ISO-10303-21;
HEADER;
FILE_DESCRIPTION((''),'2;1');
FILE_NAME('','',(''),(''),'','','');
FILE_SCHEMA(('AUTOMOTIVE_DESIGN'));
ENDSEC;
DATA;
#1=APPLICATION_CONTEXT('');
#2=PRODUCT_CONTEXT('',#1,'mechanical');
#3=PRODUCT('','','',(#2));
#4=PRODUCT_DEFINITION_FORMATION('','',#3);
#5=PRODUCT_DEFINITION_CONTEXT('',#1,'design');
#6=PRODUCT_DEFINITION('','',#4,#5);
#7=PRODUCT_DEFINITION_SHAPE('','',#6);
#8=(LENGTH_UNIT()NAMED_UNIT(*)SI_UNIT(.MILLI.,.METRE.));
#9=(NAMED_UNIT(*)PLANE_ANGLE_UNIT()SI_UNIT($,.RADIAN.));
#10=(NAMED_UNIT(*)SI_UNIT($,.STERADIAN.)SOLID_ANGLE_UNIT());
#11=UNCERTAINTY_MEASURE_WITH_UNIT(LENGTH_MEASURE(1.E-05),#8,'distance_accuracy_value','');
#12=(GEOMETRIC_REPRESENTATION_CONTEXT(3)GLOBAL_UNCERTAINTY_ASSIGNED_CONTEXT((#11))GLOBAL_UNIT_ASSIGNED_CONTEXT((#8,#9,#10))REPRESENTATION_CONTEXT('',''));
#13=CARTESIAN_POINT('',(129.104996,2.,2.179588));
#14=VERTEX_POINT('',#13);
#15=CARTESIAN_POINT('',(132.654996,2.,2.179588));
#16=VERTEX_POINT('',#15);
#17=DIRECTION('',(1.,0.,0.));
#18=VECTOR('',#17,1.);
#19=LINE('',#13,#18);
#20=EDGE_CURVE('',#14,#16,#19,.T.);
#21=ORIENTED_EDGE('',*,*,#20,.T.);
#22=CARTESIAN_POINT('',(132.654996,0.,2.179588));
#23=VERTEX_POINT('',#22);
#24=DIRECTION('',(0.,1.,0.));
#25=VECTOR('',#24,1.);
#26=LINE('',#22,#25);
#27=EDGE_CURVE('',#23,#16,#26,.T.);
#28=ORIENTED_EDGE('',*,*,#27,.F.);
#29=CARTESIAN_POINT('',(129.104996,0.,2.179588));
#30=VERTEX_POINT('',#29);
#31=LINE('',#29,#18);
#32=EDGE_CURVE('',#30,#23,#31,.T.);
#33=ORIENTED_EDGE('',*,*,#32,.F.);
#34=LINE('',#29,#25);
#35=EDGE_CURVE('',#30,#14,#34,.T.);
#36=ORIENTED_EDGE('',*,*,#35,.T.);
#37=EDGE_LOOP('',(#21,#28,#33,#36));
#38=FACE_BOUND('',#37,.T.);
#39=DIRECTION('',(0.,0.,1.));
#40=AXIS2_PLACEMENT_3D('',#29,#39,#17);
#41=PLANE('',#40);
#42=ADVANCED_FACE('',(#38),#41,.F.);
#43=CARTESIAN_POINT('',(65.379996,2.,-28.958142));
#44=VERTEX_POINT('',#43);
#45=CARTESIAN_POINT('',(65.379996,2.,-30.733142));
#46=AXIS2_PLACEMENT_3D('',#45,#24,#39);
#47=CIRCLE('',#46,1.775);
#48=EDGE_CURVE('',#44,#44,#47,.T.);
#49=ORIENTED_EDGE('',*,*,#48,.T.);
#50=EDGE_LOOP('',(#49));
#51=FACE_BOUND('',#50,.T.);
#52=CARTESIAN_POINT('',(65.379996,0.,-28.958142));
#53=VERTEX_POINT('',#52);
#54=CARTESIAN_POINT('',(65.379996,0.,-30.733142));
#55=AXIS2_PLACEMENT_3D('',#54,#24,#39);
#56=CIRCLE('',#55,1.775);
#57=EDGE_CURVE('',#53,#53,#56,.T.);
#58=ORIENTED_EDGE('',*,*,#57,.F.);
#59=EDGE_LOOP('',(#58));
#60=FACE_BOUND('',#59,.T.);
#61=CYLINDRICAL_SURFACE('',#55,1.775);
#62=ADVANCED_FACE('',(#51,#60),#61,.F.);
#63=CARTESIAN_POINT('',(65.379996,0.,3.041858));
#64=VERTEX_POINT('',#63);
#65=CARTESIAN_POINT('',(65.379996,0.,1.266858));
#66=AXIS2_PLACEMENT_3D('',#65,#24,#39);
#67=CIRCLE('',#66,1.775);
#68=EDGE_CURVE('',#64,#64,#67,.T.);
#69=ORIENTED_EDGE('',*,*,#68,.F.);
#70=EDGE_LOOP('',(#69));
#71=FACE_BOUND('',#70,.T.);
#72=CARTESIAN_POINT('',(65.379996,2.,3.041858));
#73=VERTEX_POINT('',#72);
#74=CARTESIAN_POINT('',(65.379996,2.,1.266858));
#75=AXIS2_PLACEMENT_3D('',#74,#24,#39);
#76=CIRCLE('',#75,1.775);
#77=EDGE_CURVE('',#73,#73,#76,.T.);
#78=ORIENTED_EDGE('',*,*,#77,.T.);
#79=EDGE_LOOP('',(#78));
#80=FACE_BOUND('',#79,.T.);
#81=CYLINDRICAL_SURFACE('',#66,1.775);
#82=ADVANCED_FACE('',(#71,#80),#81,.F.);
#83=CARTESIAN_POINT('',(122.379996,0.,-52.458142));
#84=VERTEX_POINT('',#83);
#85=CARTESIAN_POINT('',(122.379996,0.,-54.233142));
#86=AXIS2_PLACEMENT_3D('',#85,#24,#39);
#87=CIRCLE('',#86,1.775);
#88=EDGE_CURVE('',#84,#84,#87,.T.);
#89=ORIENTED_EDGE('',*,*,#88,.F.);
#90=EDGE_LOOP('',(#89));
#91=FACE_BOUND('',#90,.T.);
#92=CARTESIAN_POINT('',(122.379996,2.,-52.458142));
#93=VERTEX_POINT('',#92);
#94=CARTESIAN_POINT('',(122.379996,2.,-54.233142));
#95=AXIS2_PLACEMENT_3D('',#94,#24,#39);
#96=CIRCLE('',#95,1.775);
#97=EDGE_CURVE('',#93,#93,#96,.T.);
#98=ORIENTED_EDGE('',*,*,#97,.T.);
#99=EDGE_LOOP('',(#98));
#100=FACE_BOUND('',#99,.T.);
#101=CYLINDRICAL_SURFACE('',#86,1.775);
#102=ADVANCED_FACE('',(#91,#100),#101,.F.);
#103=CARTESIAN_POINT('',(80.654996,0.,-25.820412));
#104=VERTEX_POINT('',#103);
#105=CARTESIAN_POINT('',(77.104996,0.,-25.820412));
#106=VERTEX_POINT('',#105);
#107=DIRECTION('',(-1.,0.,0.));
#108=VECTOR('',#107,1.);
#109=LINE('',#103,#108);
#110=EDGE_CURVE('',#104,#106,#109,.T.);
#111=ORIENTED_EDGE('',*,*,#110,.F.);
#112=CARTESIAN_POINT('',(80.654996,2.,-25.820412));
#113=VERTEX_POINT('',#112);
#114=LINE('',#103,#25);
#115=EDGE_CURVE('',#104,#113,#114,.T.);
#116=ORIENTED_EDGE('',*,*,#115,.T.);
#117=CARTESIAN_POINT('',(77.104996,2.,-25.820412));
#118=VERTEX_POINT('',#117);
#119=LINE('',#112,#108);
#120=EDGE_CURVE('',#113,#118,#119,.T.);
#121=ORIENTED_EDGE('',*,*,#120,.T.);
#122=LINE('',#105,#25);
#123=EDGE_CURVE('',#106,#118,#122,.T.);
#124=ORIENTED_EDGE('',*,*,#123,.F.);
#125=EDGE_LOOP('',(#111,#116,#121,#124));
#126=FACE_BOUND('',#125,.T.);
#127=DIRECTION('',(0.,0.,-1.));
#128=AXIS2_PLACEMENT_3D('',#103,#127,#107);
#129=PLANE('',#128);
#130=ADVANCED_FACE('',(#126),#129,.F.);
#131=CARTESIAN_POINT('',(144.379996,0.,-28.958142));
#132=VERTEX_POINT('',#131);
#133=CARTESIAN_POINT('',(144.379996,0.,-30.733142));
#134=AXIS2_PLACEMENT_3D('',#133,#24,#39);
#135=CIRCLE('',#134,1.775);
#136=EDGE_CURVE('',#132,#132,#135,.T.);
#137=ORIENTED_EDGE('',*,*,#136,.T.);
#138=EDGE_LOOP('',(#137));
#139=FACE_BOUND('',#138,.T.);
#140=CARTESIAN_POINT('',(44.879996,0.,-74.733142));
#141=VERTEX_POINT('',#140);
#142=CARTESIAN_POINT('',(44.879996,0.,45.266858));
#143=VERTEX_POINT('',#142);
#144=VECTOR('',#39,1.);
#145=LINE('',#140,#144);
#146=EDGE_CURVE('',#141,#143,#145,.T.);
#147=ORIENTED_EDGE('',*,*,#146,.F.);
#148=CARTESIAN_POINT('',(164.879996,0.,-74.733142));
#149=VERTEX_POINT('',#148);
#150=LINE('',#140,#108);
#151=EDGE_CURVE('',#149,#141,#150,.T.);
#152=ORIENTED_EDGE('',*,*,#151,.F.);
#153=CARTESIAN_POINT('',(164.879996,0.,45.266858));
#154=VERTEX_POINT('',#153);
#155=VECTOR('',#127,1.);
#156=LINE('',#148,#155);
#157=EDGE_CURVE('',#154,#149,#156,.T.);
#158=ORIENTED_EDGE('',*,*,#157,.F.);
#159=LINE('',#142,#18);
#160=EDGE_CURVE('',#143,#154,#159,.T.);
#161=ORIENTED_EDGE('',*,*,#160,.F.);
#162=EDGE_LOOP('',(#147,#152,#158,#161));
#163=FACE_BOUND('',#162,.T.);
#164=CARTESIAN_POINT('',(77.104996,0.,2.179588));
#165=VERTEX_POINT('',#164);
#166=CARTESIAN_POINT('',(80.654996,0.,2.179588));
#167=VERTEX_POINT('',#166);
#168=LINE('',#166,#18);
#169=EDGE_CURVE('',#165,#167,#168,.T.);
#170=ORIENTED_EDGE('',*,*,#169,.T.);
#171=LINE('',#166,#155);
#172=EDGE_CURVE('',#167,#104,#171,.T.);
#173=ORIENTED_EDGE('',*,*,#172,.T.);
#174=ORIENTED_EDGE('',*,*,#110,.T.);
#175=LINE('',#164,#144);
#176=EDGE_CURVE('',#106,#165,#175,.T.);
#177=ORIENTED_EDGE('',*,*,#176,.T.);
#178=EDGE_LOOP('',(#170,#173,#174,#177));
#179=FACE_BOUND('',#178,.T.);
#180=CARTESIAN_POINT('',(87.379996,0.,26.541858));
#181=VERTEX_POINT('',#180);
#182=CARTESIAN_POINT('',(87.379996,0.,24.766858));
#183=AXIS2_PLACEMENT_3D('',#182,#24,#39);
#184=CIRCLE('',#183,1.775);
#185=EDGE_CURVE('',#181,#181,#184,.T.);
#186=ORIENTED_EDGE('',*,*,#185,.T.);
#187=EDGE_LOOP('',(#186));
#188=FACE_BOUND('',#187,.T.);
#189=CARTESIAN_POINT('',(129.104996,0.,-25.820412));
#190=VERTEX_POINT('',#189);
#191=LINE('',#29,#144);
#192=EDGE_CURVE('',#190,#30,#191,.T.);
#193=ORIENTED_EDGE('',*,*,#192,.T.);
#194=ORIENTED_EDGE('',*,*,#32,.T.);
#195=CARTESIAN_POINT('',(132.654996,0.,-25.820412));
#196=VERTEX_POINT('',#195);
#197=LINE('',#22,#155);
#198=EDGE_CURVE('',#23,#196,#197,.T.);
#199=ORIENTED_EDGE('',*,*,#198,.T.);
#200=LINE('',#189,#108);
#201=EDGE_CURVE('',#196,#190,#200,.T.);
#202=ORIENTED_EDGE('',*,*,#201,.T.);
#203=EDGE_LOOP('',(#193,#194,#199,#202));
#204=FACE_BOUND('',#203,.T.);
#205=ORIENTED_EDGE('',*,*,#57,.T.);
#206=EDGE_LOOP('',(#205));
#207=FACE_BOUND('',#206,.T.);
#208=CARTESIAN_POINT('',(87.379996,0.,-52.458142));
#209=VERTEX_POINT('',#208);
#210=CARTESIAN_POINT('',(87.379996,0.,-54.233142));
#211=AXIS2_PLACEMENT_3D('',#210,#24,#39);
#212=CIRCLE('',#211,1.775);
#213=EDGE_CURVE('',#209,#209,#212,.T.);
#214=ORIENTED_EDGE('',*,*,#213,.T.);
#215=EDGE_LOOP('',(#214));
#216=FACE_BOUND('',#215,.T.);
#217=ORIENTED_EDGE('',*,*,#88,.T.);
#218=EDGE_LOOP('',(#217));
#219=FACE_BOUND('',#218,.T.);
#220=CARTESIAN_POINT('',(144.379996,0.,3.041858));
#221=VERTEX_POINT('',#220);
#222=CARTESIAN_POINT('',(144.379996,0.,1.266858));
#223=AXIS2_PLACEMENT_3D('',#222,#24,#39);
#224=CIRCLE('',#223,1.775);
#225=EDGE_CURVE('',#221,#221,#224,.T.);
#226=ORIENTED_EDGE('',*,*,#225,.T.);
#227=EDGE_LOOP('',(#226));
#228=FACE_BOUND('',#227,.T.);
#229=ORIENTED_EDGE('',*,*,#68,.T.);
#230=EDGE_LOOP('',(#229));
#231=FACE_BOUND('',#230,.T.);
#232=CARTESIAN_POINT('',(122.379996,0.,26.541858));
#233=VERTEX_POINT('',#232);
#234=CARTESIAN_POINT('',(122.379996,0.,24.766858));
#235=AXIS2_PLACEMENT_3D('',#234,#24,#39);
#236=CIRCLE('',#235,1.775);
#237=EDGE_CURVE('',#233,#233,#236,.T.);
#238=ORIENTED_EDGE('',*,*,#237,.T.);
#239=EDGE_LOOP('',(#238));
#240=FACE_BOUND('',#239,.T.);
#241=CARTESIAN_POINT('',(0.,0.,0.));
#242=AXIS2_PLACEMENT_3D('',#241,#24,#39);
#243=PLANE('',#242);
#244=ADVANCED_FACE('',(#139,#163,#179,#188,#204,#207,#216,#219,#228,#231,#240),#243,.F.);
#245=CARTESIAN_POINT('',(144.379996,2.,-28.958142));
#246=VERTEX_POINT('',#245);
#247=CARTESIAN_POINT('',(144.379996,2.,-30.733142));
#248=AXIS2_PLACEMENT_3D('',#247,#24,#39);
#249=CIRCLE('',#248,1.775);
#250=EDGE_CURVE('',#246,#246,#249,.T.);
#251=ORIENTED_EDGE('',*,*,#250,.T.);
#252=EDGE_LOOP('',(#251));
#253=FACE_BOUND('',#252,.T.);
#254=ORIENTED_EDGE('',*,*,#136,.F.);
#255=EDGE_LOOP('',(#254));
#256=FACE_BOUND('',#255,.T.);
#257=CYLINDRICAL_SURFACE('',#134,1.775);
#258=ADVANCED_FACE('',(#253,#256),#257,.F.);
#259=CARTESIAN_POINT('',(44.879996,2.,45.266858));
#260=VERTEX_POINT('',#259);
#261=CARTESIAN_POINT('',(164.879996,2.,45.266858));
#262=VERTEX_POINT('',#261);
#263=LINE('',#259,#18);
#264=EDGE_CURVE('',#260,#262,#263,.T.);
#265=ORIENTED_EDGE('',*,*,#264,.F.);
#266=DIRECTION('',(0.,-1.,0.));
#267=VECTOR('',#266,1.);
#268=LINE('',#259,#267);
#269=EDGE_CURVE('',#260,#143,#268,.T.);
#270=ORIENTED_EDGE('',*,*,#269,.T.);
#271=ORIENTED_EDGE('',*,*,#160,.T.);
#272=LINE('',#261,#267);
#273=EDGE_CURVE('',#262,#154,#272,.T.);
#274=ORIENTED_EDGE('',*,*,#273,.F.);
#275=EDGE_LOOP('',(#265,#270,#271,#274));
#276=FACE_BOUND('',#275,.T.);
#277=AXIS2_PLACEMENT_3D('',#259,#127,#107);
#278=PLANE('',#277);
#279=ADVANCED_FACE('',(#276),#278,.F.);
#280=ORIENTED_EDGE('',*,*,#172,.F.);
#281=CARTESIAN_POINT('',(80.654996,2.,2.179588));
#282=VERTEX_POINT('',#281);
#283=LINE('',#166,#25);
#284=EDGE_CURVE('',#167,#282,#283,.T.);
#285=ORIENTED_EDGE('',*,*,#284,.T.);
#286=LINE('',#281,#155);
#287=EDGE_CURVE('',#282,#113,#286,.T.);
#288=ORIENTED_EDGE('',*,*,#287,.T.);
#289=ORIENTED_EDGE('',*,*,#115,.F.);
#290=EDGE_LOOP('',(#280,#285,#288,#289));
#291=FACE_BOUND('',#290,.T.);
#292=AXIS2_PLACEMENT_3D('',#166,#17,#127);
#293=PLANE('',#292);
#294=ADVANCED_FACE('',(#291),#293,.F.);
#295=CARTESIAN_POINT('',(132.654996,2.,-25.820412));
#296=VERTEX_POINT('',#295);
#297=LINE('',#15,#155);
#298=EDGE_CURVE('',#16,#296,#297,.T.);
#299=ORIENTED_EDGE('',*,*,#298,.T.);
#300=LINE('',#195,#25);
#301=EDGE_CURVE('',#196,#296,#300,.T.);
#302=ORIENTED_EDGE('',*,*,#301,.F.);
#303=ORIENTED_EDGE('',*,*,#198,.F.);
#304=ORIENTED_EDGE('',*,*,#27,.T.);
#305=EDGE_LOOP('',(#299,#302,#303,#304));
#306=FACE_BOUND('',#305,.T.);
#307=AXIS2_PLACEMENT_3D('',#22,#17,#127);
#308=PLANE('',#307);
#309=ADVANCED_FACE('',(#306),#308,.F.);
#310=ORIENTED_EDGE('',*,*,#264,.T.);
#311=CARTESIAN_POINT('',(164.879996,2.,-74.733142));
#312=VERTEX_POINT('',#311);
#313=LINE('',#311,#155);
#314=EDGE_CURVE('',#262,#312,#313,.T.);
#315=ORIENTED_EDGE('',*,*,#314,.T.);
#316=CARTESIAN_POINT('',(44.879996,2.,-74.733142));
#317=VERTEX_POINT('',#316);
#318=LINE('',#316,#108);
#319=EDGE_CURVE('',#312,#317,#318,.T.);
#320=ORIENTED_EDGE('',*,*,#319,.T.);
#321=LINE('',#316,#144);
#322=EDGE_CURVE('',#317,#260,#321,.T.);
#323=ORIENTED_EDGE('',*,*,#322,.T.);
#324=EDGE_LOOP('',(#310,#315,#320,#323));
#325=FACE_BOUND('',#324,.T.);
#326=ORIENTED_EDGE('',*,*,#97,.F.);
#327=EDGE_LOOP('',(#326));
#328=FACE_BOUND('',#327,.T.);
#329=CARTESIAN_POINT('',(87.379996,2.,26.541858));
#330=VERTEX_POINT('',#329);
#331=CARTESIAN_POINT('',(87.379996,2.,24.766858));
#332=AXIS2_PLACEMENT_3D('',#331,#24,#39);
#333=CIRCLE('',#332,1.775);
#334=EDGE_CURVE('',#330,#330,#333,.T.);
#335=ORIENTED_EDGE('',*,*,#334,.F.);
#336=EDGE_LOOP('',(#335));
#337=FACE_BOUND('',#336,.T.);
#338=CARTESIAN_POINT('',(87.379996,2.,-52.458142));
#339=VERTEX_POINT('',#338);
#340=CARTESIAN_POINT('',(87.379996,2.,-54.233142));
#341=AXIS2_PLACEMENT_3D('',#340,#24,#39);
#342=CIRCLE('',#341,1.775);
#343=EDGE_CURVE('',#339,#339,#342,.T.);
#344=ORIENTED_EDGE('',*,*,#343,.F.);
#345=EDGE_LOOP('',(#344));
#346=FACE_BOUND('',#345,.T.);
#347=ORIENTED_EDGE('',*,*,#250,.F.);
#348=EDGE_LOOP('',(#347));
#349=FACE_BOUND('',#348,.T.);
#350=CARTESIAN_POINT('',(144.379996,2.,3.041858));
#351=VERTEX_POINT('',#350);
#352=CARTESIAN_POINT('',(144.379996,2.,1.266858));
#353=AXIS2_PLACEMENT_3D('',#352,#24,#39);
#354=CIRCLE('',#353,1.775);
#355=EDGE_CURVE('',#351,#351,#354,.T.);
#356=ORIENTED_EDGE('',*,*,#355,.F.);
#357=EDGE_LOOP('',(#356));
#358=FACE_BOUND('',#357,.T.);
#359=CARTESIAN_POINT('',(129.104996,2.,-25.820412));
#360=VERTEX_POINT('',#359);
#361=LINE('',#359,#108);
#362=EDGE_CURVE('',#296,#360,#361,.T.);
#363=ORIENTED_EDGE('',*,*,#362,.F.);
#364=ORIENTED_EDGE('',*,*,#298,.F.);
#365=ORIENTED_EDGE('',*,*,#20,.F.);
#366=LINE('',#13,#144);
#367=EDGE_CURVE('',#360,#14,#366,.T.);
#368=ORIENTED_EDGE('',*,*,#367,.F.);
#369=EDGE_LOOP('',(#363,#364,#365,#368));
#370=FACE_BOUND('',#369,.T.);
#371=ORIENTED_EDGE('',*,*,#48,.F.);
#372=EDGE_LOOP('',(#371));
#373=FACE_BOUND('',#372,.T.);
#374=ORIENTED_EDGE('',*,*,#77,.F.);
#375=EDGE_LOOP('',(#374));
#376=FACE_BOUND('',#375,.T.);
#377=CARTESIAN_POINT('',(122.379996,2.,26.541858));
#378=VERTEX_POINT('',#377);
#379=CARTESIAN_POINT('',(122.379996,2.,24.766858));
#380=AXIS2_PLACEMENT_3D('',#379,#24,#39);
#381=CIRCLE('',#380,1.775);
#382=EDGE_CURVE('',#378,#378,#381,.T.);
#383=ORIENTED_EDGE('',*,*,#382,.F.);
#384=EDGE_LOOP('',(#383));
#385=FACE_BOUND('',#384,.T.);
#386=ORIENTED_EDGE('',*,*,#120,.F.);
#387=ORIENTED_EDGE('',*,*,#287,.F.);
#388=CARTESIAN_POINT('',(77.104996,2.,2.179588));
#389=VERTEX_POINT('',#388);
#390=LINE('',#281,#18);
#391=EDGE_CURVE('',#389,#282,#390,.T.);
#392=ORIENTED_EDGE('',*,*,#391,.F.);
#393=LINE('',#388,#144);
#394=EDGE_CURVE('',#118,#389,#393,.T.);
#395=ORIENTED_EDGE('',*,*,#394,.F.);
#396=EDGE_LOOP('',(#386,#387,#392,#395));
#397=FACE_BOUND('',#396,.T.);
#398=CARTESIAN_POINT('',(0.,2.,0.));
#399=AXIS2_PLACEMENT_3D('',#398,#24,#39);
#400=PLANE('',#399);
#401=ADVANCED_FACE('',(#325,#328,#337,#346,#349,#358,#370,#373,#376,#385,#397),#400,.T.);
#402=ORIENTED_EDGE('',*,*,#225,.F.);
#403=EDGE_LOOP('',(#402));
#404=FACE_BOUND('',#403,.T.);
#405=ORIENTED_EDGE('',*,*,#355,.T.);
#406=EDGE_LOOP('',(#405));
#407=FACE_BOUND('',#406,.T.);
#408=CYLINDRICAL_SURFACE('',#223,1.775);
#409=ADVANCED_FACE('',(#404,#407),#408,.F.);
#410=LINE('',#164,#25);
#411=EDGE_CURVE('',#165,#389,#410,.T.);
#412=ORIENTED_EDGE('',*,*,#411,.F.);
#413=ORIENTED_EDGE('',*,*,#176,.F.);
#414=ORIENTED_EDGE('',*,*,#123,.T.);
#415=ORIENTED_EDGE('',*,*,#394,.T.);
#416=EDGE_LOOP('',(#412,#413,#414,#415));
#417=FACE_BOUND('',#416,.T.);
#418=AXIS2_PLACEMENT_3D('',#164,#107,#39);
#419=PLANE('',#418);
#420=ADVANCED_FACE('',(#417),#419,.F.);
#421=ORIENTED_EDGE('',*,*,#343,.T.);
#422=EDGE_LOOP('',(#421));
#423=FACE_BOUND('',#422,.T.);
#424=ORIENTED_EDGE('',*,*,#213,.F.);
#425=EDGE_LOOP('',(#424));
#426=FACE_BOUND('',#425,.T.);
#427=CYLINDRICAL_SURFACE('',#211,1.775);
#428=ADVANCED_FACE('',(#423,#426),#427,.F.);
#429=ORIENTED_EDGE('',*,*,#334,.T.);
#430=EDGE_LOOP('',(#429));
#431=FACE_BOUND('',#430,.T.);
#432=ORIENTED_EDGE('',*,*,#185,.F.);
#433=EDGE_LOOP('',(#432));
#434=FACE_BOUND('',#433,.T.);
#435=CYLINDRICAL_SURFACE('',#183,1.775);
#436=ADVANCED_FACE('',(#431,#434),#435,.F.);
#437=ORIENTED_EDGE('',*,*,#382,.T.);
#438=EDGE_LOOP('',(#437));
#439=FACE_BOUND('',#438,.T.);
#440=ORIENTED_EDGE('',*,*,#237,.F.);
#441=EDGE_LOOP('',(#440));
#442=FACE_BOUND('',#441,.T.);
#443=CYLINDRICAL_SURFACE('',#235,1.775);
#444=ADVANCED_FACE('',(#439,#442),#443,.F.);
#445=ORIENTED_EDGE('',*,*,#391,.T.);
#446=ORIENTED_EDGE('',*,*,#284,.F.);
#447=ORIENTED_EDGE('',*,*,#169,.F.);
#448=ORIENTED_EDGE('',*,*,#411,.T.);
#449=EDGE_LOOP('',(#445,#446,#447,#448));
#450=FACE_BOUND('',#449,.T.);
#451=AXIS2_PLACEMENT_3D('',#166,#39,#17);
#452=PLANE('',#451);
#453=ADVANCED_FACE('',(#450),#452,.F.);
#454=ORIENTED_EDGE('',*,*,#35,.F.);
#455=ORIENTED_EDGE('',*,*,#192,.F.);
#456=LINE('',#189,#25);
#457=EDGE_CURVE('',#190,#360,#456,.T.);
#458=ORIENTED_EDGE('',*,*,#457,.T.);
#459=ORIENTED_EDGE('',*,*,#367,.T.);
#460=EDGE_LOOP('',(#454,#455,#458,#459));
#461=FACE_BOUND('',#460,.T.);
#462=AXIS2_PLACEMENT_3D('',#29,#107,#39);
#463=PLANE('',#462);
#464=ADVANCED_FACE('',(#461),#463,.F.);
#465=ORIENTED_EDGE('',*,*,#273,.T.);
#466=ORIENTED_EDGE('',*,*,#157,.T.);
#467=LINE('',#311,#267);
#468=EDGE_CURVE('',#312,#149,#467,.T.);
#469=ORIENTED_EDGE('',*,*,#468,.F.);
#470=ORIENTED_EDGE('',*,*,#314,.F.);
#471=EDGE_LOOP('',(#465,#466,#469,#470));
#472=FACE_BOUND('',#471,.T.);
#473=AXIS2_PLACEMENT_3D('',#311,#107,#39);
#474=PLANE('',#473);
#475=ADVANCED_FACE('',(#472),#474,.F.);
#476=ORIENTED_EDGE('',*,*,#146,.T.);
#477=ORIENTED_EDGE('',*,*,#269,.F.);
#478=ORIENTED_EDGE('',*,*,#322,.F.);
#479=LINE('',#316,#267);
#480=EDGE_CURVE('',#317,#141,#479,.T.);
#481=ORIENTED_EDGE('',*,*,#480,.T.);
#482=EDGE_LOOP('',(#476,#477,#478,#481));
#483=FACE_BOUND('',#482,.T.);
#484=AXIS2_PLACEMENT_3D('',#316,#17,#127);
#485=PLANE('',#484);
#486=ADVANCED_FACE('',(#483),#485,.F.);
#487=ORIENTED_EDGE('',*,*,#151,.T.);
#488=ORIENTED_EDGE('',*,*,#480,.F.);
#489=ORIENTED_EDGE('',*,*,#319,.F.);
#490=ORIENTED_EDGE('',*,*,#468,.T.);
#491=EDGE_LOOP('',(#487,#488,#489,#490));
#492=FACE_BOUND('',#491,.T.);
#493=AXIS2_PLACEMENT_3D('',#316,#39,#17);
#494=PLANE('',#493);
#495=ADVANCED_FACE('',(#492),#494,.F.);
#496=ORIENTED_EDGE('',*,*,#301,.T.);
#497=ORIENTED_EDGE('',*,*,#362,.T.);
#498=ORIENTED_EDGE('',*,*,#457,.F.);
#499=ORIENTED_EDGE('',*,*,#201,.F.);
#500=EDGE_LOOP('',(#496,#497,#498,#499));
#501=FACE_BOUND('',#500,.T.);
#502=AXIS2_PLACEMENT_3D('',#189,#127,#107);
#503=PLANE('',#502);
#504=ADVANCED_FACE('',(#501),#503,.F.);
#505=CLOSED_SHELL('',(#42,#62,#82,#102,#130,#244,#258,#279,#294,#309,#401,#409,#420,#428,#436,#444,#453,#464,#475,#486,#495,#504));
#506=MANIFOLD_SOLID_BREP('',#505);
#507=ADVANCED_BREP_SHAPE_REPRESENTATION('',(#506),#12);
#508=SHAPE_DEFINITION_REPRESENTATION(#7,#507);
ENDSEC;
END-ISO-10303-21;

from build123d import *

# Parameters (mm, degrees)
SKETCH1_W           = 120
SKETCH1_H           = 120
BOSS_EXTRUDE1_DEPTH = 2
SKETCH2_R           = 1.775
CUT_EXTRUDE1_DEPTH  = 182.037166061
SKETCH3_R           = 1.775
CUT_EXTRUDE2_DEPTH  = 182.037166061
SKETCH4_W           = 3.55
SKETCH4_H           = 28
CUT_EXTRUDE3_DEPTH  = 182.037166061


with BuildPart() as part:
    # Sketch1 → Boss-Extrude1 (new body)
    with BuildSketch(Plane(origin=(0, 0, 0), x_dir=(1, 0, 0), z_dir=(0, 1, 0))):
        with Locations((104.879995502, 14.733142437)):
            Rectangle(SKETCH1_W, SKETCH1_H)
    extrude(amount=BOSS_EXTRUDE1_DEPTH)

    # Sketch2 → Cut-Extrude1 (cut, through all)
    with BuildSketch(Plane(origin=(0, 2, 0), x_dir=(1, 0, 0), z_dir=(0, 1, 0))):
        with Locations(Location((65.379995502, 30.733142437, 0), (0, 0, 270))):
            Circle(SKETCH2_R)
        with Locations(Location((65.379995502, -1.266857563, 0), (0, 0, 270))):
            Circle(SKETCH2_R)
        with Locations(Location((144.379995502, -1.266857563, 0), (0, 0, 270))):
            Circle(SKETCH2_R)
        with Locations(Location((144.379995502, 30.733142437, 0), (0, 0, 270))):
            Circle(SKETCH2_R)
    extrude(amount=-CUT_EXTRUDE1_DEPTH, mode=Mode.SUBTRACT)

    # Sketch3 → Cut-Extrude2 (cut, through all)
    with BuildSketch(Plane(origin=(0, 2, 0), x_dir=(1, 0, 0), z_dir=(0, 1, 0))):
        with Locations(Location((87.379995502, -24.766857563, 0), (0, 0, 270))):
            Circle(SKETCH3_R)
        with Locations(Location((87.379995502, 54.233142437, 0), (0, 0, 270))):
            Circle(SKETCH3_R)
        with Locations(Location((122.379995502, -24.766857563, 0), (0, 0, 270))):
            Circle(SKETCH3_R)
        with Locations(Location((122.379995502, 54.233142437, 0), (0, 0, 270))):
            Circle(SKETCH3_R)
    extrude(amount=-CUT_EXTRUDE2_DEPTH, mode=Mode.SUBTRACT)

    # Sketch4 → Cut-Extrude3 (cut, through all)
    with BuildSketch(Plane(origin=(0, 2, 0), x_dir=(1, 0, 0), z_dir=(0, 1, 0))):
        with Locations((78.879995502, 11.820412138)):
            Rectangle(SKETCH4_W, SKETCH4_H)
        with Locations((130.879995502, 11.820412138)):
            Rectangle(SKETCH4_W, SKETCH4_H)
    extrude(amount=-CUT_EXTRUDE3_DEPTH, mode=Mode.SUBTRACT)


solid = part.part
